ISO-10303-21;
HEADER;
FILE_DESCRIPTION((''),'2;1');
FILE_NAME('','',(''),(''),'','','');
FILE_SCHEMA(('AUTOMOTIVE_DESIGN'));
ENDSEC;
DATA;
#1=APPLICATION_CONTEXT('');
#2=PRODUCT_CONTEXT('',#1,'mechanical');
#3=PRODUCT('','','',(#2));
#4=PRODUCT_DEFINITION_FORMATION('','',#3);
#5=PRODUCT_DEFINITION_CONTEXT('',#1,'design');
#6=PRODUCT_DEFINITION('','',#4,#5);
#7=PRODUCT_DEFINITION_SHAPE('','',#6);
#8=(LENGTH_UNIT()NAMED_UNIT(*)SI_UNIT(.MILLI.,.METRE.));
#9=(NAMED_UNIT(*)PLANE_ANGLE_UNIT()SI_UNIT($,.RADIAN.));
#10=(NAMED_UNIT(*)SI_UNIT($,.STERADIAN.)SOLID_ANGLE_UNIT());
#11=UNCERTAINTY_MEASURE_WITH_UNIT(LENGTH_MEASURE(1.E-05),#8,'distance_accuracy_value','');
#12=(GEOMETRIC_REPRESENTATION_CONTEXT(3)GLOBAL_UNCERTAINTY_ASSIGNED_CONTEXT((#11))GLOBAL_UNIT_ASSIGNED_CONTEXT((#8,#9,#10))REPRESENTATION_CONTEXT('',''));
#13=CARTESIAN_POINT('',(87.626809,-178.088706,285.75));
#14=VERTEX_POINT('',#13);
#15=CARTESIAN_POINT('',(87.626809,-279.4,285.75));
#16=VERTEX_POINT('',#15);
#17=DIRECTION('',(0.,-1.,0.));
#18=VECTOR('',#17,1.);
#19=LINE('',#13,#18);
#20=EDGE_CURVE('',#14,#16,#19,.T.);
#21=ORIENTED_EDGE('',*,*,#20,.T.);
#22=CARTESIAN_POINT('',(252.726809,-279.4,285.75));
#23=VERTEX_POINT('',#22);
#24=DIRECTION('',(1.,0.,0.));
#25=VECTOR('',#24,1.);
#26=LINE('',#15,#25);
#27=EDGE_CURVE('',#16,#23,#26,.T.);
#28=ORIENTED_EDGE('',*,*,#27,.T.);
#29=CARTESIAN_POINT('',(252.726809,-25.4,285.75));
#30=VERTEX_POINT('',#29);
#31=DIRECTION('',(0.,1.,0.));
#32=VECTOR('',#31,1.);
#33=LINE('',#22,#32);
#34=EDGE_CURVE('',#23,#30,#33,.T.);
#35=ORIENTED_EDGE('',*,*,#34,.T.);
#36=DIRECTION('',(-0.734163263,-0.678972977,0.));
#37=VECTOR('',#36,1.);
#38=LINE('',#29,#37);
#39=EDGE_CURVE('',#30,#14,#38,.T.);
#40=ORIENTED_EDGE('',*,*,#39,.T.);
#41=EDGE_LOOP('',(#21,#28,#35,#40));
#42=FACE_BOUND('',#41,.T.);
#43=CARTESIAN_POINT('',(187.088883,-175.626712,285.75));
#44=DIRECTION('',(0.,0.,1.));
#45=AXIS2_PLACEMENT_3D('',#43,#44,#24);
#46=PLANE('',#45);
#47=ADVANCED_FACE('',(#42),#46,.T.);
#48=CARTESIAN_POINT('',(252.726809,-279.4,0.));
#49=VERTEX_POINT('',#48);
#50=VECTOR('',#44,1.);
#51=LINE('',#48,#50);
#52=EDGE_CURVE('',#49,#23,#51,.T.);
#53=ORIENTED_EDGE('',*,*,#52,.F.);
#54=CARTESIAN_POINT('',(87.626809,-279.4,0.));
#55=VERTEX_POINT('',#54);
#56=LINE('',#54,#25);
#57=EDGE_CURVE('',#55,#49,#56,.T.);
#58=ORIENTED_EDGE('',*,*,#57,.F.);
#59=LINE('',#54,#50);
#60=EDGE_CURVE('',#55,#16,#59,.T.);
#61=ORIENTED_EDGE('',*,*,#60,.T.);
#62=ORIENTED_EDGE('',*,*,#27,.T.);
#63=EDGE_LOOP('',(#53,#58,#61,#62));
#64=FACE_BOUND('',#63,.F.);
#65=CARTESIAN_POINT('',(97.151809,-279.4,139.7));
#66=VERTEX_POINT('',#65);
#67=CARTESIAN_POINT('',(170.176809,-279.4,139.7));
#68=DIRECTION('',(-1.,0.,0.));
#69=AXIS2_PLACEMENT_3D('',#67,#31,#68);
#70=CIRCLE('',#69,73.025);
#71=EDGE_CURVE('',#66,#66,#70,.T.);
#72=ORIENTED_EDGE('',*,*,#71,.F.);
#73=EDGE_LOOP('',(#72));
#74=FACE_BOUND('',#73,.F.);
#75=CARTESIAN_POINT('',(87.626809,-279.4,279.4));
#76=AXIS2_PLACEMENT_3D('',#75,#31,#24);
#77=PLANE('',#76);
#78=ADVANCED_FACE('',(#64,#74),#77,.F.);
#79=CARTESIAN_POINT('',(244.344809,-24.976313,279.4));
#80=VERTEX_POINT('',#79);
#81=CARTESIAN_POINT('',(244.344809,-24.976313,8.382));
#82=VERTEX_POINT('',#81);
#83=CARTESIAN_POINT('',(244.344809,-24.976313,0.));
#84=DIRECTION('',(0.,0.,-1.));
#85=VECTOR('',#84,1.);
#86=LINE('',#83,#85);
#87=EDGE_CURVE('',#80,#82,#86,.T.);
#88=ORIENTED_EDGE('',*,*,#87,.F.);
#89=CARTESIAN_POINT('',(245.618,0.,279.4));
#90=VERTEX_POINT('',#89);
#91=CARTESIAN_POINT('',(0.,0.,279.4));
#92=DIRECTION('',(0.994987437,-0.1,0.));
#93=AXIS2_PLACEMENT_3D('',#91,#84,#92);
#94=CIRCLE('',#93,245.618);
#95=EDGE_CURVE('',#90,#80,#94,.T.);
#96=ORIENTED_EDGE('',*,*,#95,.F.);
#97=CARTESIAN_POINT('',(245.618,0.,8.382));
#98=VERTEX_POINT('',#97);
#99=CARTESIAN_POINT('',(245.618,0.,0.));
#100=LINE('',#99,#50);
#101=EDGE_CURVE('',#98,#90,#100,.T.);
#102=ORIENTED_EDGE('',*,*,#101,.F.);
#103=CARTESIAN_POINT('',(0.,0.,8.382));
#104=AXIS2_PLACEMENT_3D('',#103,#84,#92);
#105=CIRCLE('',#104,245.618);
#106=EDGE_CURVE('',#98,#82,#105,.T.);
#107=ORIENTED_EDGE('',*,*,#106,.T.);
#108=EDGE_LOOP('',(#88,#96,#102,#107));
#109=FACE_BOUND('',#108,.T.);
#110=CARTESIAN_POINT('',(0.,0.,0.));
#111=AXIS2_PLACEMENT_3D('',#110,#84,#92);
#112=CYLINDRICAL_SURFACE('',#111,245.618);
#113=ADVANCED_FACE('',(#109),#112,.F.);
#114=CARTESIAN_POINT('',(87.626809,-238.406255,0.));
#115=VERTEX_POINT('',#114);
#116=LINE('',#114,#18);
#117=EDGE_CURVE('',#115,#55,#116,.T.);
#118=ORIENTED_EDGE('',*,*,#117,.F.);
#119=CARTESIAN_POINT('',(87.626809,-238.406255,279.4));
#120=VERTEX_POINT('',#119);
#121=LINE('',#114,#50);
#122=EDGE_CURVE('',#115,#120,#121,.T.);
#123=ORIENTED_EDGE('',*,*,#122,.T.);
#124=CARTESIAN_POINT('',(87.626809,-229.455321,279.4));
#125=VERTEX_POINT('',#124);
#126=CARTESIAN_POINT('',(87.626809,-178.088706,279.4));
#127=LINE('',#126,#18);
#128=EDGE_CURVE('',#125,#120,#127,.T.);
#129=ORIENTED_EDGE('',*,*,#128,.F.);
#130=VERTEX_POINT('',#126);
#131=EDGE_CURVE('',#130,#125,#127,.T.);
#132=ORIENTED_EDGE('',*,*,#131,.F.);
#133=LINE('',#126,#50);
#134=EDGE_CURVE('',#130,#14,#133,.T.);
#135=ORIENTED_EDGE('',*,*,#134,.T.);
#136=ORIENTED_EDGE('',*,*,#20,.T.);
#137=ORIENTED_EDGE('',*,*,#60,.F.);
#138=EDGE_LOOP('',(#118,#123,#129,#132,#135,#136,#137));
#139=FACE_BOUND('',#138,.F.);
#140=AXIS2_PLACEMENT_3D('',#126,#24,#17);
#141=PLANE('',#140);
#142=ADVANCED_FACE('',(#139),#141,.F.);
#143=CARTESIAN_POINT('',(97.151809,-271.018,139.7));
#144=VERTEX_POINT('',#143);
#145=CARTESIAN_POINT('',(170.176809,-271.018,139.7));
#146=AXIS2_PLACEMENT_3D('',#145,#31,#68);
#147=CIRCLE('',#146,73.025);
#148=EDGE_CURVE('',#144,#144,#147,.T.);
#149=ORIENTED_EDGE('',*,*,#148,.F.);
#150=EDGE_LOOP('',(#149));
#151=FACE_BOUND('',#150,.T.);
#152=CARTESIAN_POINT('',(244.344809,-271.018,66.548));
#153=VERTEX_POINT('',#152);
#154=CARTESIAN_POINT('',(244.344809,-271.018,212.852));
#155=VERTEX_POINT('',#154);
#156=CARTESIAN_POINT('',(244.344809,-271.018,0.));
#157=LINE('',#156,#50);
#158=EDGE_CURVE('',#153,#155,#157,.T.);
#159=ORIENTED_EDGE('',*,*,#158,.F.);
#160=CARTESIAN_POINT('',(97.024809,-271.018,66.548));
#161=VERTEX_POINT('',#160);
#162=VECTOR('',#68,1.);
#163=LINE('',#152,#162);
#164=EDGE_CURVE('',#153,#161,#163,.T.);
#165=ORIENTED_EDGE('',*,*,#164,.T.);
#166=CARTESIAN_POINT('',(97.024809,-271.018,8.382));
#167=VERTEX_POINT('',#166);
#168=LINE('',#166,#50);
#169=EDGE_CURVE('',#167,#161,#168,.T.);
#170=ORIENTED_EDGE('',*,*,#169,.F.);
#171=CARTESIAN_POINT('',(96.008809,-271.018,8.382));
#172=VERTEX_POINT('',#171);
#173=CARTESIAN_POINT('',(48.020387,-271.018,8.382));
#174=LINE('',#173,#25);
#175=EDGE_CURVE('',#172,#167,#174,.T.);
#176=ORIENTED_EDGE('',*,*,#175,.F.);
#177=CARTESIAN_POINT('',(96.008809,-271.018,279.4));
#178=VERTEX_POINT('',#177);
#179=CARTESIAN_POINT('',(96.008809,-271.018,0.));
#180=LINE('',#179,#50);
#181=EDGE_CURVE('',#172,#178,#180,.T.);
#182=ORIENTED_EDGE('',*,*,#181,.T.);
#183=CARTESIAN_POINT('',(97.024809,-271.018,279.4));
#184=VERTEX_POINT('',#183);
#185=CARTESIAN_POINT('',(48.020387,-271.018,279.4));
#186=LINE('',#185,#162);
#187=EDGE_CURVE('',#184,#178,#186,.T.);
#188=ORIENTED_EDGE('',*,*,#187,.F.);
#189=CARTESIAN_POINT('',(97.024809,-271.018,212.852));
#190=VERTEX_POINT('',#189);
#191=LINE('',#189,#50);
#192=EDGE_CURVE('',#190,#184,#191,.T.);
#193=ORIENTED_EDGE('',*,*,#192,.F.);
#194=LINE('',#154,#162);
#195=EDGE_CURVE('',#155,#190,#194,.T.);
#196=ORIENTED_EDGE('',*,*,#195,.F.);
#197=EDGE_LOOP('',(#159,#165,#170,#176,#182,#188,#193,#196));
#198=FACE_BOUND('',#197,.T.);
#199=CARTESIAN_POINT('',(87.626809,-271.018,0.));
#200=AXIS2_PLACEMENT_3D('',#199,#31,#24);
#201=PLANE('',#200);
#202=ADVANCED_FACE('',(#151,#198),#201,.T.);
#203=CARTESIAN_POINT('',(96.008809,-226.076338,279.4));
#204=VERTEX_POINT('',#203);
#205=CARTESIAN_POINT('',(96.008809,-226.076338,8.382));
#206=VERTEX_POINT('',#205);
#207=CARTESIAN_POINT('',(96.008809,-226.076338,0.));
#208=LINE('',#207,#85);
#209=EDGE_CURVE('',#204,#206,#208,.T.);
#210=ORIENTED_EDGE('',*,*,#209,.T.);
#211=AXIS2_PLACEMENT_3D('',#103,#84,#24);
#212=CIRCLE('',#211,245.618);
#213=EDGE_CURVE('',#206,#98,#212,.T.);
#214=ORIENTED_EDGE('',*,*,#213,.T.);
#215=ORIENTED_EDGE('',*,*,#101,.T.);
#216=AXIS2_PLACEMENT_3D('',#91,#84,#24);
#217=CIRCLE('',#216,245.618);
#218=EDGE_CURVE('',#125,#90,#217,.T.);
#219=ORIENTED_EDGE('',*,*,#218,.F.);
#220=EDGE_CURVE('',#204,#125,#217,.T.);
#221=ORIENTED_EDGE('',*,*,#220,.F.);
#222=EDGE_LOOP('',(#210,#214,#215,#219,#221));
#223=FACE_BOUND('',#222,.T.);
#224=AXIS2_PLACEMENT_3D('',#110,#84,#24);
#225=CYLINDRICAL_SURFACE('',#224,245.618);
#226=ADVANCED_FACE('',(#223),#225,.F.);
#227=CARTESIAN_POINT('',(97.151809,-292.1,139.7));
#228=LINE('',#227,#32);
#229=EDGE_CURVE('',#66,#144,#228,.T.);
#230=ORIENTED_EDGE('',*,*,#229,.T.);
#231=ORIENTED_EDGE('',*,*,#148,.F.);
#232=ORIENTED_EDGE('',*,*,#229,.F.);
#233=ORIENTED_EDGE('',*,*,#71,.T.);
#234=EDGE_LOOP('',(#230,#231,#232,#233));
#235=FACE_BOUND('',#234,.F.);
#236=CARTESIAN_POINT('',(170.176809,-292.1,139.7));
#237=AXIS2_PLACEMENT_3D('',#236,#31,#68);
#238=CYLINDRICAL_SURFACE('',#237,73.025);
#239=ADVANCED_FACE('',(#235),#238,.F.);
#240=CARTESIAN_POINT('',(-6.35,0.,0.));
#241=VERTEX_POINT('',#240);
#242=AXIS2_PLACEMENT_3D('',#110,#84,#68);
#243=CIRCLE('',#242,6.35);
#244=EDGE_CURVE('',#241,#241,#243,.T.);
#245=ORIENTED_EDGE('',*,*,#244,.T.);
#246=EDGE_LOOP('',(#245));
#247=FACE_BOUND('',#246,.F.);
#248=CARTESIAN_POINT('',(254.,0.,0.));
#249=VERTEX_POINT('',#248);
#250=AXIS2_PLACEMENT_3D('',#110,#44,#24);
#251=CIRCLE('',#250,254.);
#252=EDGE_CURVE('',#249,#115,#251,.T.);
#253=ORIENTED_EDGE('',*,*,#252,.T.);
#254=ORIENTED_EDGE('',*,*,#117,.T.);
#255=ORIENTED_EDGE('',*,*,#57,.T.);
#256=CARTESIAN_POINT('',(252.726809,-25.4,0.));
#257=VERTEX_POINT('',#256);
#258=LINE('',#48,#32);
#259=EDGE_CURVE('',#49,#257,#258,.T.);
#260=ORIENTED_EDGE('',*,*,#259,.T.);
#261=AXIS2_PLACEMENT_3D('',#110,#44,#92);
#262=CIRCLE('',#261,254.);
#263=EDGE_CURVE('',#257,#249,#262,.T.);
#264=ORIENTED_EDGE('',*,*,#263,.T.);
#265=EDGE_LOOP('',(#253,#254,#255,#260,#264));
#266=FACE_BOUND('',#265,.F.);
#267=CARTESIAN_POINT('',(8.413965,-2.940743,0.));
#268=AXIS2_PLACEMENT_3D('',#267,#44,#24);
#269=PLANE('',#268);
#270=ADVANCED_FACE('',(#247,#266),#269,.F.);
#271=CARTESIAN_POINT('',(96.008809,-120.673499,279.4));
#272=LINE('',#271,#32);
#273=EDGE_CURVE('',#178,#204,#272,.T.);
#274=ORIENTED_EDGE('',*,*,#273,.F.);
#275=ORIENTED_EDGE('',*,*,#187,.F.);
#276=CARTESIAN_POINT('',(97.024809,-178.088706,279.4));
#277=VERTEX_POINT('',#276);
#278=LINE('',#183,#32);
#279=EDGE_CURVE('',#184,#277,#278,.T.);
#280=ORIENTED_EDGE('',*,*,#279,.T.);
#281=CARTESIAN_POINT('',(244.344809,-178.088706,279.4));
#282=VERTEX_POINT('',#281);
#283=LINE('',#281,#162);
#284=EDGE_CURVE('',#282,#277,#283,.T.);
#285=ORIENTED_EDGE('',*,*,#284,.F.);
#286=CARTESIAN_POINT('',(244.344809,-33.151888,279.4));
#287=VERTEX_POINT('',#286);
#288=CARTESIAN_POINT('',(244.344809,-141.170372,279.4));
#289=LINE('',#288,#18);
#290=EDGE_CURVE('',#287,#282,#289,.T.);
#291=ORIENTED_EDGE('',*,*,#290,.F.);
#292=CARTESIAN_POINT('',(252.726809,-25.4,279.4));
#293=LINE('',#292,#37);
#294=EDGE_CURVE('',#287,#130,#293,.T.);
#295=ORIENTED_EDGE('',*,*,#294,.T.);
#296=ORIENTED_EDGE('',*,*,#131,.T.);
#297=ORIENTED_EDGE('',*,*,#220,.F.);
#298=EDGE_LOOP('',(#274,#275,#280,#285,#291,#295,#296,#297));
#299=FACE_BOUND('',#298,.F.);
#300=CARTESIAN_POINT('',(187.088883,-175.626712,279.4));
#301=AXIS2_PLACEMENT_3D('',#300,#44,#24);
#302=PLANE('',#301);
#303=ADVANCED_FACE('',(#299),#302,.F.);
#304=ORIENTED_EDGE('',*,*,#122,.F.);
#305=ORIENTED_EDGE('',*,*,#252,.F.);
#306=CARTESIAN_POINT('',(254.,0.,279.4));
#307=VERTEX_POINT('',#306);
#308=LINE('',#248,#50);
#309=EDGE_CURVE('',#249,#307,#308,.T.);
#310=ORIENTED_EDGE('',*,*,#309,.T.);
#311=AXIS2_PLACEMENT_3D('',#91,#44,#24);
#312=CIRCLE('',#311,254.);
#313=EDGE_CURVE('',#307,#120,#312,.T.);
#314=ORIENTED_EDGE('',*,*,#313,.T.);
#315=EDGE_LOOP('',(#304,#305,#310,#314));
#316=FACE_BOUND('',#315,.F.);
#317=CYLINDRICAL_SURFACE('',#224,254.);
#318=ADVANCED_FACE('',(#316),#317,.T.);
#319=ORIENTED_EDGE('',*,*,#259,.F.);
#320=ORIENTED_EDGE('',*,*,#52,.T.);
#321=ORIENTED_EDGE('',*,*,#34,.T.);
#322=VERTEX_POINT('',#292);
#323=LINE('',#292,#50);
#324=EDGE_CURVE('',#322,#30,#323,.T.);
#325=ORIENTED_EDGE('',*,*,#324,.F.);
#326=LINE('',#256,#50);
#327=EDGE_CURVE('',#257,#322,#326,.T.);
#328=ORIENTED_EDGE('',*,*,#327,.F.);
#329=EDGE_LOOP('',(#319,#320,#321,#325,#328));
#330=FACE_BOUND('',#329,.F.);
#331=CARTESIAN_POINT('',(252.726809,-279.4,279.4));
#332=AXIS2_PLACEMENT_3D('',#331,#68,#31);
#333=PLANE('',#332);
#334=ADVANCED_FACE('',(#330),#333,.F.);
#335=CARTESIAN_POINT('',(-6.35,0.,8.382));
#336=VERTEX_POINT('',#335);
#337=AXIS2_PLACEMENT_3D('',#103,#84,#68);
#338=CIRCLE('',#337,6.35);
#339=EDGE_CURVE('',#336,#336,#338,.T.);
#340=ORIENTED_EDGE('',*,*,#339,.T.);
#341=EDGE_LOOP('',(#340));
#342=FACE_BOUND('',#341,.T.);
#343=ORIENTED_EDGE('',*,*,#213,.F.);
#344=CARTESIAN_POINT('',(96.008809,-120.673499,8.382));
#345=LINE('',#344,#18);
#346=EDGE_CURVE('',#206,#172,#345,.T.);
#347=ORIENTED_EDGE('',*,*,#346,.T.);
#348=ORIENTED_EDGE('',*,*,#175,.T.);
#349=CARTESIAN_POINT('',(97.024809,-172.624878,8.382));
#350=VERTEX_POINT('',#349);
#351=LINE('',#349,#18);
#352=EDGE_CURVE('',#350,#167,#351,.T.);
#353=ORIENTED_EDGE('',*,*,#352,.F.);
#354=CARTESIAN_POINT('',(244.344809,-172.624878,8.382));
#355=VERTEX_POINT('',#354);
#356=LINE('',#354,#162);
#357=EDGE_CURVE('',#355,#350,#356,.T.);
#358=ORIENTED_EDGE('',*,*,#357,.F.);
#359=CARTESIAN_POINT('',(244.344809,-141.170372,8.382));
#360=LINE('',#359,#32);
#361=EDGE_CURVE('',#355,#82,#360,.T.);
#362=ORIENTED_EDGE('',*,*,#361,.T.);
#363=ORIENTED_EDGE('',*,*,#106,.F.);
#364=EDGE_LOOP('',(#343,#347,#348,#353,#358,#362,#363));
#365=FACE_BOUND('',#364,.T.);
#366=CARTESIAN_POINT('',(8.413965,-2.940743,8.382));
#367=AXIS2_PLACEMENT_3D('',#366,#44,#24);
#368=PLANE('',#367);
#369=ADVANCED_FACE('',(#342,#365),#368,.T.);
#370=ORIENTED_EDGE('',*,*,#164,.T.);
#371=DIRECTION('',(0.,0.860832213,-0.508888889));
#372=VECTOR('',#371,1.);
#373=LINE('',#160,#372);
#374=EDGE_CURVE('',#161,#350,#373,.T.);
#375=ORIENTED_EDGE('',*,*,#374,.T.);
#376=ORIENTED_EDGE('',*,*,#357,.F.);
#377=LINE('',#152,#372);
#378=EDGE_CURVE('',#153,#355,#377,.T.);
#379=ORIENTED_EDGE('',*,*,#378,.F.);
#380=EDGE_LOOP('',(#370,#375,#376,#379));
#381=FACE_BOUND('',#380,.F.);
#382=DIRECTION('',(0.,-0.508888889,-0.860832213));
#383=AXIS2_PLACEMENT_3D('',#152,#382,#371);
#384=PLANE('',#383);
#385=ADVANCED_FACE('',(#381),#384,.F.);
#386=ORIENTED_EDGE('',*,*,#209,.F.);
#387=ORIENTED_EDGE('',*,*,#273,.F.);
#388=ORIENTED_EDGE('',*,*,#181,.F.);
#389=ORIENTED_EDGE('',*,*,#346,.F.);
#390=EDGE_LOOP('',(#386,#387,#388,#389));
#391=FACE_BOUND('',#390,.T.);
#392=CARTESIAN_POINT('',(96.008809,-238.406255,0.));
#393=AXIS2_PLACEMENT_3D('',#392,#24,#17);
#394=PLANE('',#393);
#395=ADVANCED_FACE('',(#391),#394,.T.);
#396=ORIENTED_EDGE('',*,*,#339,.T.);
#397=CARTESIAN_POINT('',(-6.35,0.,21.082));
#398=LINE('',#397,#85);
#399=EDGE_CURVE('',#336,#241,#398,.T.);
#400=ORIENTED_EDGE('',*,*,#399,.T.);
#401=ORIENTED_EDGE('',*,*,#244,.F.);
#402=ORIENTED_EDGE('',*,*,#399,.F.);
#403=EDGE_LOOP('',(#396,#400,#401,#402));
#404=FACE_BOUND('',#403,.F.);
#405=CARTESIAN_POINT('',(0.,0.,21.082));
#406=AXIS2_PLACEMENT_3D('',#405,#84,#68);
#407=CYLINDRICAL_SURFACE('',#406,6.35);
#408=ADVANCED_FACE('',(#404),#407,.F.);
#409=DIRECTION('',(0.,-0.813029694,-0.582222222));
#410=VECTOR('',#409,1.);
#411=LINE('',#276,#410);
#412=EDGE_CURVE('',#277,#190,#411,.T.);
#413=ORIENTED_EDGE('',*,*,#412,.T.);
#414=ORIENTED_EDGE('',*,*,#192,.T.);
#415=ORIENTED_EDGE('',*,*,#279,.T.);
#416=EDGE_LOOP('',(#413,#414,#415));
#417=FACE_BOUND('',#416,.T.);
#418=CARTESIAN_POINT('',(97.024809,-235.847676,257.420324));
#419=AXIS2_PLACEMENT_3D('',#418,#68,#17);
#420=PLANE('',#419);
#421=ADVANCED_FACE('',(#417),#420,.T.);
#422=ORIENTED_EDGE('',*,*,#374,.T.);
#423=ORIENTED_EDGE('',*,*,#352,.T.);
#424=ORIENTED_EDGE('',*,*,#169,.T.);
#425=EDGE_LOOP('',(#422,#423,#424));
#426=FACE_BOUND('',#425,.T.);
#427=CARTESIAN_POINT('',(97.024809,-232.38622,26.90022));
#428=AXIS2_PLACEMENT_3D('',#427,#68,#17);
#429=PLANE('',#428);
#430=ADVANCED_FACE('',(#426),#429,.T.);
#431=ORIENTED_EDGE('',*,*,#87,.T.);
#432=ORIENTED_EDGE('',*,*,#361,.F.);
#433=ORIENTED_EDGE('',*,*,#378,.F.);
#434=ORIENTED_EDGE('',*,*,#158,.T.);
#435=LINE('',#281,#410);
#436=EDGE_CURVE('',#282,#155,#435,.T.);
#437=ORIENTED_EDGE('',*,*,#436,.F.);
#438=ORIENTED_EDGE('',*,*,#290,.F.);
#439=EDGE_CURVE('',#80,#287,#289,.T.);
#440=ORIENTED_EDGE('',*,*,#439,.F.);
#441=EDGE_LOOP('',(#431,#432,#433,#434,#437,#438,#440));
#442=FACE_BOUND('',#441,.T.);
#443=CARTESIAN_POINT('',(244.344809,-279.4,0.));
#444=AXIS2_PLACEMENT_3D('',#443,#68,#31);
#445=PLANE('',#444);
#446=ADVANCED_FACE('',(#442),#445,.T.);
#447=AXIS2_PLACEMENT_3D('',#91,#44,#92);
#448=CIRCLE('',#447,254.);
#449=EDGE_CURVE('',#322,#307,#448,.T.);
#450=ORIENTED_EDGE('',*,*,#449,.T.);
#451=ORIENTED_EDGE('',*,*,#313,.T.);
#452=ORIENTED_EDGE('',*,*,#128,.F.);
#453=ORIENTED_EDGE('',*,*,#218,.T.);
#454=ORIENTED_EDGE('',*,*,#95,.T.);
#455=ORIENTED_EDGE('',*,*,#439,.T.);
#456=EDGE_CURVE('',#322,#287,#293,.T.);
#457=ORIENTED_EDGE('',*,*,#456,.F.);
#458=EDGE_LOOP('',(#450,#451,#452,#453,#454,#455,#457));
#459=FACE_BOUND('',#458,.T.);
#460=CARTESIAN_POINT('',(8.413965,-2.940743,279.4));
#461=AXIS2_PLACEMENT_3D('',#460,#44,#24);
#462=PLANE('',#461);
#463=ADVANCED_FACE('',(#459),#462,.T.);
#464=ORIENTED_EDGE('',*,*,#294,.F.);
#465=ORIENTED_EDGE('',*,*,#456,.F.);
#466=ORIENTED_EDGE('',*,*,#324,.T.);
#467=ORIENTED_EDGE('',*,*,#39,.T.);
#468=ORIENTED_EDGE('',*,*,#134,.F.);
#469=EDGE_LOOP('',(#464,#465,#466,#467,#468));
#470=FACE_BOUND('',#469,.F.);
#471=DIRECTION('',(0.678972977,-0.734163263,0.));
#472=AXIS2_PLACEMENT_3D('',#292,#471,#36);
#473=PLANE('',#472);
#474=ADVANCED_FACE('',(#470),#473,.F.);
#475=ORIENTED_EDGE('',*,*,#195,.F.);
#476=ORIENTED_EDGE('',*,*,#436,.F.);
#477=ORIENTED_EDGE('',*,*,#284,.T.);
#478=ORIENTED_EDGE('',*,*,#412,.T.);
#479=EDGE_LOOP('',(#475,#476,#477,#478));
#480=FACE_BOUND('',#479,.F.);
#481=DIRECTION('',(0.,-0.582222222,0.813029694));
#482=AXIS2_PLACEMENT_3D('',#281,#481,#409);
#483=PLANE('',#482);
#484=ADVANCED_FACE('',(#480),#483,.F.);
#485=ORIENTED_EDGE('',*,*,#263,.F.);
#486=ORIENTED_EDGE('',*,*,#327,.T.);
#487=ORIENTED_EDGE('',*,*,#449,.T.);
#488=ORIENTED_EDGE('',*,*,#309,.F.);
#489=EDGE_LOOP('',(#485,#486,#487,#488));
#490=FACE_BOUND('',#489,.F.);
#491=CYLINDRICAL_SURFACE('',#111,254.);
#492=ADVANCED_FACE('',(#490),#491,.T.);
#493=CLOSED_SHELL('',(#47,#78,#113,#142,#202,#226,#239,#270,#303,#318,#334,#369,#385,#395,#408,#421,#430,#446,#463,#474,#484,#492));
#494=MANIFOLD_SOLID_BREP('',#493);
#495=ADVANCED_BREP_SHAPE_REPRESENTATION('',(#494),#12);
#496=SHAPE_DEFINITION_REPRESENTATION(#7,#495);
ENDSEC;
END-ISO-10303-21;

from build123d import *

# Parameters (mm, degrees)
F1_DEPTH  = 279.4
F3_T      = -8.382
F4_D      = 146.05
F4_DEPTH  = 12.7
F4_TIP    = 43.8778467045
F6_DEPTH  = 147.32
F8_DEPTH  = 6.35
F10_D     = 12.7
F10_DEPTH = 12.7
F10_TIP   = 3.8154649308


with BuildPart() as f1:
    # F0 (on Top) → F1 (new body)
    with BuildSketch(Plane.XY):
        with BuildLine():
            Line((87.6268090251, -25.4), (252.7268090251, -25.4))
            ThreePointArc((252.7268090251, -25.4), (253.68150257, -12.7159448652), (254, 0))
            ThreePointArc((254, 0), (-208.2945144409, 145.3595378839), (87.6268090251, -238.4062548258))
            Line((87.6268090251, -238.4062548258), (87.6268090251, -25.4))
        make_face()
        with BuildLine():
            ThreePointArc((87.6268090251, -238.4062548258), (200.7562265004, -155.6050690733), (252.7268090251, -25.4))
            Line((252.7268090251, -25.4), (87.6268090251, -25.4))
            Line((87.6268090251, -25.4), (87.6268090251, -238.4062548258))
        make_face()
        with BuildLine():
            Line((252.7268090251, -279.4), (252.7268090251, -25.4))
            ThreePointArc((252.7268090251, -25.4), (200.7562265004, -155.6050690733), (87.6268090251, -238.4062548258))
            Line((87.6268090251, -238.4062548258), (87.6268090251, -279.4))
            Line((87.6268090251, -279.4), (252.7268090251, -279.4))
        make_face()
    extrude(amount=F1_DEPTH)

    # F3
    f3_openings = [f1.faces().sort_by_distance(p)[0] for p in [
        (15.178098, -16.804954, 279.4),
    ]]
    offset(amount=F3_T, openings=f3_openings, kind=Kind.INTERSECTION)

    # F4
    with Locations(Plane.XZ.offset(279.4)):
        with Locations((170.1768090251, 139.7)):
            Hole(F4_D / 2, depth=F4_DEPTH)
            with Locations((0, 0, -(F4_DEPTH + F4_TIP / 2))):  # 118° drill point
                Cone(0, F4_D / 2, F4_TIP, mode=Mode.SUBTRACT)

    # F5 (on face) → F6 (join)
    with BuildSketch(Plane(origin=(244.3448090251, 0, 0), x_dir=(0, -1, 0), z_dir=(-1, 0, 0))):
        Polygon((271.018, 66.548), (172.6248780656, 8.382), (271.018, 8.382), align=None)
        Polygon((271.018, 212.852), (271.018, 279.4), (178.0887059319, 279.4), align=None)
    extrude(amount=F6_DEPTH)

    # F7 (on face) → F8 (join)
    with BuildSketch(Plane.XY.offset(279.4)):
        Polygon((87.6268090251, -178.0887059319), (87.6268090251, -279.4), (252.7268090251, -279.4), (252.7268090251, -25.4), align=None)
    extrude(amount=F8_DEPTH)

    # F10
    with Locations(Plane.XY.offset(8.382)):
        with Locations((0, 0)):
            Hole(F10_D / 2, depth=F10_DEPTH)
            with Locations((0, 0, -(F10_DEPTH + F10_TIP / 2))):  # 118° drill point
                Cone(0, F10_D / 2, F10_TIP, mode=Mode.SUBTRACT)


solid = f1.part
